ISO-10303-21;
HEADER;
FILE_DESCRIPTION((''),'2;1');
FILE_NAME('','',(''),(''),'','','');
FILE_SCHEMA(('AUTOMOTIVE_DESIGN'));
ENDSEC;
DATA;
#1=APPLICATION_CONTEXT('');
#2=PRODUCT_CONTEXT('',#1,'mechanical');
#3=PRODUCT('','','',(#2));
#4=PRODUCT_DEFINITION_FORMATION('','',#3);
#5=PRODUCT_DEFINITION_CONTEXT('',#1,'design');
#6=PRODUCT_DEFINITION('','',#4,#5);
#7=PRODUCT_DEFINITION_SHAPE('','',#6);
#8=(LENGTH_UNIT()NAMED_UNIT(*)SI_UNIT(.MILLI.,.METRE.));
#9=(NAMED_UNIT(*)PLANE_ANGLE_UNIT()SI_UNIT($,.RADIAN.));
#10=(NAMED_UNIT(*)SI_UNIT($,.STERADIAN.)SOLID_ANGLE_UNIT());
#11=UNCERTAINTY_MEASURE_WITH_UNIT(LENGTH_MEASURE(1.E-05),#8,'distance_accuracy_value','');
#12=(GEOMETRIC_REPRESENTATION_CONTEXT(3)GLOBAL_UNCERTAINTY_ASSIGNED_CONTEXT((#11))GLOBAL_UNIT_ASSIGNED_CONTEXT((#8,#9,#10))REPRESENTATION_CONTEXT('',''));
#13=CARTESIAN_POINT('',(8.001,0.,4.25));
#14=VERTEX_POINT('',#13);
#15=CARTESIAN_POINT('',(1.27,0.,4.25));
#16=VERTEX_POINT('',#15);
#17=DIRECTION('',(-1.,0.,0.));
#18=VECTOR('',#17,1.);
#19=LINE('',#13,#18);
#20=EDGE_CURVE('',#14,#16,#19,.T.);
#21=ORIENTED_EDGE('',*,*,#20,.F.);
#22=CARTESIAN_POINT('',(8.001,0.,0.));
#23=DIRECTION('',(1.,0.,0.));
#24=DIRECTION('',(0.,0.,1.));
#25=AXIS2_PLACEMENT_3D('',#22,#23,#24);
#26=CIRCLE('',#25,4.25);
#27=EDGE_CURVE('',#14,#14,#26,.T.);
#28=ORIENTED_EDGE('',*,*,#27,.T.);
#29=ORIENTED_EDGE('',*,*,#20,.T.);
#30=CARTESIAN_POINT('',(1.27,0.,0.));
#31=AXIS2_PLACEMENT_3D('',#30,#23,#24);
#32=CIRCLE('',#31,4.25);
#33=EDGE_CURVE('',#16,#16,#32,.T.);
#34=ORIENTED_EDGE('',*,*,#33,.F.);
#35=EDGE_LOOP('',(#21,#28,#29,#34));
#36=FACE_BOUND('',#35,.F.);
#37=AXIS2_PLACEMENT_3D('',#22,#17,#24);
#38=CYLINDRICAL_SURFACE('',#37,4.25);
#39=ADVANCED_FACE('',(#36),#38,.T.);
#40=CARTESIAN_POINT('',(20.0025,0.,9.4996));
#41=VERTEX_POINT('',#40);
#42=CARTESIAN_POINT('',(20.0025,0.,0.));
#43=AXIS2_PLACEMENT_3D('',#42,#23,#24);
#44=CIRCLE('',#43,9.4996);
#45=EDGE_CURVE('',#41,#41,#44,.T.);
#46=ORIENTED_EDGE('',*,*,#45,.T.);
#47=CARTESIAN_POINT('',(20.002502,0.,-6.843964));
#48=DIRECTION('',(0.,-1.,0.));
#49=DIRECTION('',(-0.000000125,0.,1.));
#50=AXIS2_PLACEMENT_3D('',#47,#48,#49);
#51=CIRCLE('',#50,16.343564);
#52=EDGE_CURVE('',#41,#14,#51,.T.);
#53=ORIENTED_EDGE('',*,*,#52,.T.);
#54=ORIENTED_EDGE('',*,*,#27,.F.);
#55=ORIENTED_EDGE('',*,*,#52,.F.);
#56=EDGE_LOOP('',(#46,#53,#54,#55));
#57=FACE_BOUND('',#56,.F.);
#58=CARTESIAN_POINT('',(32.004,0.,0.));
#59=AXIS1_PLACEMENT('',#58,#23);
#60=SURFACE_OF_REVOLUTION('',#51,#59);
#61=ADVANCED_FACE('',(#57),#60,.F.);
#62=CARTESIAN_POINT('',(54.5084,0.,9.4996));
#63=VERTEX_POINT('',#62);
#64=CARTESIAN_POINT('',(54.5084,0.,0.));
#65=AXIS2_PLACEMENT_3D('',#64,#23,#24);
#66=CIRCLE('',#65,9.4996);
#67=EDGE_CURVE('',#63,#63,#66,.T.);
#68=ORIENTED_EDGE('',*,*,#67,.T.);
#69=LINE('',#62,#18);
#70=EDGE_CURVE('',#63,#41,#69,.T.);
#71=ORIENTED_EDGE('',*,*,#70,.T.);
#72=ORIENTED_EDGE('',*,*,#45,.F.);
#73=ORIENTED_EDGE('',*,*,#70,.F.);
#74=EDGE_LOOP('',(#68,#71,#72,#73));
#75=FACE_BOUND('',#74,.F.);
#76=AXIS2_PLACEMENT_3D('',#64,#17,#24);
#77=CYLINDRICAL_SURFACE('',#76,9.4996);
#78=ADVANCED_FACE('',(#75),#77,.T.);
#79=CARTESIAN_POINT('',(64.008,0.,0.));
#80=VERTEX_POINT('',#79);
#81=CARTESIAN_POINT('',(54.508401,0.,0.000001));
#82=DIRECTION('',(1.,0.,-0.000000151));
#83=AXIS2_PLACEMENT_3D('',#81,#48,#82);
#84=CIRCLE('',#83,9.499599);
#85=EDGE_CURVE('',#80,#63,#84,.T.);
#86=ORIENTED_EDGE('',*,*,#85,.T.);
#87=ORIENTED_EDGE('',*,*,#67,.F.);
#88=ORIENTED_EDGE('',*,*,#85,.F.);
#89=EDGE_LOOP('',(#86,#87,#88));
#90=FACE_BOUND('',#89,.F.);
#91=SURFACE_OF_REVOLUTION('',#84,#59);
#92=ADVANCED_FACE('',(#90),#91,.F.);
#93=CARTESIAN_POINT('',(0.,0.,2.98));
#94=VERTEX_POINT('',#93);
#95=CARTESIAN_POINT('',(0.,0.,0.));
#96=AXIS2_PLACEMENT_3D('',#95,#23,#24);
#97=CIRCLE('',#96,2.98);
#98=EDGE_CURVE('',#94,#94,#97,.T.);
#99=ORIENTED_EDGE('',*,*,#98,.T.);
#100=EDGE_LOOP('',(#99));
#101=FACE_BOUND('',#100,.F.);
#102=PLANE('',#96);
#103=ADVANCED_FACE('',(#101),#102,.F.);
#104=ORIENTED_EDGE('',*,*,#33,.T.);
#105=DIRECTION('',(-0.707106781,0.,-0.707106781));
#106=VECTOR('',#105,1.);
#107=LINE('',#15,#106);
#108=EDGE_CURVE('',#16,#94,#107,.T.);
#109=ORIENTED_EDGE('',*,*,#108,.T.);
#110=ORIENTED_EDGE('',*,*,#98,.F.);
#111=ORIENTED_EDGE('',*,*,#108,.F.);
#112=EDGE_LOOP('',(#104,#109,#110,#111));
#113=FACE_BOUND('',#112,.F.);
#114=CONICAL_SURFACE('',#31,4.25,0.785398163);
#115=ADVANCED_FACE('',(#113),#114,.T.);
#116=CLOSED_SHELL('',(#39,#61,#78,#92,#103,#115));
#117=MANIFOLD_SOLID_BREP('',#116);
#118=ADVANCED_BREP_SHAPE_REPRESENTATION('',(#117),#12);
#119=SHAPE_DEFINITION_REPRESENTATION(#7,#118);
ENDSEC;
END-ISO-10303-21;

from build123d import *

# Parameters (mm, degrees)
F2_SIZE = 1.27


with BuildPart() as f1:
    # F0 (on Front) → F1 (revolve)
    with BuildSketch(Plane.XZ):
        with BuildLine():
            Line((0, 3.742), (0, 0))
            Line((0, 0), (64.008, 0))
            ThreePointArc((64.008, 0), (61.225632, 6.717232), (54.5084, 9.4996))
            Line((54.5084, 9.4996), (32.004, 9.4996))
            Line((32.004, 9.4996), (20.0025, 9.4996))
            ThreePointArc((20.0025, 9.4996), (13.4528, 8.129796), (8.001, 4.25))
            Line((8.001, 4.25), (0, 4.25))
            Line((0, 4.25), (0, 3.742))
        make_face()
    revolve(axis=Axis((32.004, 0, 0), (1, 0, 0)))

    # F2
    f2_edges = [f1.edges().sort_by_distance(p)[0] for p in [
        (0, 0, -4.25),
    ]]
    chamfer(f2_edges, length=F2_SIZE)


solid = f1.part
